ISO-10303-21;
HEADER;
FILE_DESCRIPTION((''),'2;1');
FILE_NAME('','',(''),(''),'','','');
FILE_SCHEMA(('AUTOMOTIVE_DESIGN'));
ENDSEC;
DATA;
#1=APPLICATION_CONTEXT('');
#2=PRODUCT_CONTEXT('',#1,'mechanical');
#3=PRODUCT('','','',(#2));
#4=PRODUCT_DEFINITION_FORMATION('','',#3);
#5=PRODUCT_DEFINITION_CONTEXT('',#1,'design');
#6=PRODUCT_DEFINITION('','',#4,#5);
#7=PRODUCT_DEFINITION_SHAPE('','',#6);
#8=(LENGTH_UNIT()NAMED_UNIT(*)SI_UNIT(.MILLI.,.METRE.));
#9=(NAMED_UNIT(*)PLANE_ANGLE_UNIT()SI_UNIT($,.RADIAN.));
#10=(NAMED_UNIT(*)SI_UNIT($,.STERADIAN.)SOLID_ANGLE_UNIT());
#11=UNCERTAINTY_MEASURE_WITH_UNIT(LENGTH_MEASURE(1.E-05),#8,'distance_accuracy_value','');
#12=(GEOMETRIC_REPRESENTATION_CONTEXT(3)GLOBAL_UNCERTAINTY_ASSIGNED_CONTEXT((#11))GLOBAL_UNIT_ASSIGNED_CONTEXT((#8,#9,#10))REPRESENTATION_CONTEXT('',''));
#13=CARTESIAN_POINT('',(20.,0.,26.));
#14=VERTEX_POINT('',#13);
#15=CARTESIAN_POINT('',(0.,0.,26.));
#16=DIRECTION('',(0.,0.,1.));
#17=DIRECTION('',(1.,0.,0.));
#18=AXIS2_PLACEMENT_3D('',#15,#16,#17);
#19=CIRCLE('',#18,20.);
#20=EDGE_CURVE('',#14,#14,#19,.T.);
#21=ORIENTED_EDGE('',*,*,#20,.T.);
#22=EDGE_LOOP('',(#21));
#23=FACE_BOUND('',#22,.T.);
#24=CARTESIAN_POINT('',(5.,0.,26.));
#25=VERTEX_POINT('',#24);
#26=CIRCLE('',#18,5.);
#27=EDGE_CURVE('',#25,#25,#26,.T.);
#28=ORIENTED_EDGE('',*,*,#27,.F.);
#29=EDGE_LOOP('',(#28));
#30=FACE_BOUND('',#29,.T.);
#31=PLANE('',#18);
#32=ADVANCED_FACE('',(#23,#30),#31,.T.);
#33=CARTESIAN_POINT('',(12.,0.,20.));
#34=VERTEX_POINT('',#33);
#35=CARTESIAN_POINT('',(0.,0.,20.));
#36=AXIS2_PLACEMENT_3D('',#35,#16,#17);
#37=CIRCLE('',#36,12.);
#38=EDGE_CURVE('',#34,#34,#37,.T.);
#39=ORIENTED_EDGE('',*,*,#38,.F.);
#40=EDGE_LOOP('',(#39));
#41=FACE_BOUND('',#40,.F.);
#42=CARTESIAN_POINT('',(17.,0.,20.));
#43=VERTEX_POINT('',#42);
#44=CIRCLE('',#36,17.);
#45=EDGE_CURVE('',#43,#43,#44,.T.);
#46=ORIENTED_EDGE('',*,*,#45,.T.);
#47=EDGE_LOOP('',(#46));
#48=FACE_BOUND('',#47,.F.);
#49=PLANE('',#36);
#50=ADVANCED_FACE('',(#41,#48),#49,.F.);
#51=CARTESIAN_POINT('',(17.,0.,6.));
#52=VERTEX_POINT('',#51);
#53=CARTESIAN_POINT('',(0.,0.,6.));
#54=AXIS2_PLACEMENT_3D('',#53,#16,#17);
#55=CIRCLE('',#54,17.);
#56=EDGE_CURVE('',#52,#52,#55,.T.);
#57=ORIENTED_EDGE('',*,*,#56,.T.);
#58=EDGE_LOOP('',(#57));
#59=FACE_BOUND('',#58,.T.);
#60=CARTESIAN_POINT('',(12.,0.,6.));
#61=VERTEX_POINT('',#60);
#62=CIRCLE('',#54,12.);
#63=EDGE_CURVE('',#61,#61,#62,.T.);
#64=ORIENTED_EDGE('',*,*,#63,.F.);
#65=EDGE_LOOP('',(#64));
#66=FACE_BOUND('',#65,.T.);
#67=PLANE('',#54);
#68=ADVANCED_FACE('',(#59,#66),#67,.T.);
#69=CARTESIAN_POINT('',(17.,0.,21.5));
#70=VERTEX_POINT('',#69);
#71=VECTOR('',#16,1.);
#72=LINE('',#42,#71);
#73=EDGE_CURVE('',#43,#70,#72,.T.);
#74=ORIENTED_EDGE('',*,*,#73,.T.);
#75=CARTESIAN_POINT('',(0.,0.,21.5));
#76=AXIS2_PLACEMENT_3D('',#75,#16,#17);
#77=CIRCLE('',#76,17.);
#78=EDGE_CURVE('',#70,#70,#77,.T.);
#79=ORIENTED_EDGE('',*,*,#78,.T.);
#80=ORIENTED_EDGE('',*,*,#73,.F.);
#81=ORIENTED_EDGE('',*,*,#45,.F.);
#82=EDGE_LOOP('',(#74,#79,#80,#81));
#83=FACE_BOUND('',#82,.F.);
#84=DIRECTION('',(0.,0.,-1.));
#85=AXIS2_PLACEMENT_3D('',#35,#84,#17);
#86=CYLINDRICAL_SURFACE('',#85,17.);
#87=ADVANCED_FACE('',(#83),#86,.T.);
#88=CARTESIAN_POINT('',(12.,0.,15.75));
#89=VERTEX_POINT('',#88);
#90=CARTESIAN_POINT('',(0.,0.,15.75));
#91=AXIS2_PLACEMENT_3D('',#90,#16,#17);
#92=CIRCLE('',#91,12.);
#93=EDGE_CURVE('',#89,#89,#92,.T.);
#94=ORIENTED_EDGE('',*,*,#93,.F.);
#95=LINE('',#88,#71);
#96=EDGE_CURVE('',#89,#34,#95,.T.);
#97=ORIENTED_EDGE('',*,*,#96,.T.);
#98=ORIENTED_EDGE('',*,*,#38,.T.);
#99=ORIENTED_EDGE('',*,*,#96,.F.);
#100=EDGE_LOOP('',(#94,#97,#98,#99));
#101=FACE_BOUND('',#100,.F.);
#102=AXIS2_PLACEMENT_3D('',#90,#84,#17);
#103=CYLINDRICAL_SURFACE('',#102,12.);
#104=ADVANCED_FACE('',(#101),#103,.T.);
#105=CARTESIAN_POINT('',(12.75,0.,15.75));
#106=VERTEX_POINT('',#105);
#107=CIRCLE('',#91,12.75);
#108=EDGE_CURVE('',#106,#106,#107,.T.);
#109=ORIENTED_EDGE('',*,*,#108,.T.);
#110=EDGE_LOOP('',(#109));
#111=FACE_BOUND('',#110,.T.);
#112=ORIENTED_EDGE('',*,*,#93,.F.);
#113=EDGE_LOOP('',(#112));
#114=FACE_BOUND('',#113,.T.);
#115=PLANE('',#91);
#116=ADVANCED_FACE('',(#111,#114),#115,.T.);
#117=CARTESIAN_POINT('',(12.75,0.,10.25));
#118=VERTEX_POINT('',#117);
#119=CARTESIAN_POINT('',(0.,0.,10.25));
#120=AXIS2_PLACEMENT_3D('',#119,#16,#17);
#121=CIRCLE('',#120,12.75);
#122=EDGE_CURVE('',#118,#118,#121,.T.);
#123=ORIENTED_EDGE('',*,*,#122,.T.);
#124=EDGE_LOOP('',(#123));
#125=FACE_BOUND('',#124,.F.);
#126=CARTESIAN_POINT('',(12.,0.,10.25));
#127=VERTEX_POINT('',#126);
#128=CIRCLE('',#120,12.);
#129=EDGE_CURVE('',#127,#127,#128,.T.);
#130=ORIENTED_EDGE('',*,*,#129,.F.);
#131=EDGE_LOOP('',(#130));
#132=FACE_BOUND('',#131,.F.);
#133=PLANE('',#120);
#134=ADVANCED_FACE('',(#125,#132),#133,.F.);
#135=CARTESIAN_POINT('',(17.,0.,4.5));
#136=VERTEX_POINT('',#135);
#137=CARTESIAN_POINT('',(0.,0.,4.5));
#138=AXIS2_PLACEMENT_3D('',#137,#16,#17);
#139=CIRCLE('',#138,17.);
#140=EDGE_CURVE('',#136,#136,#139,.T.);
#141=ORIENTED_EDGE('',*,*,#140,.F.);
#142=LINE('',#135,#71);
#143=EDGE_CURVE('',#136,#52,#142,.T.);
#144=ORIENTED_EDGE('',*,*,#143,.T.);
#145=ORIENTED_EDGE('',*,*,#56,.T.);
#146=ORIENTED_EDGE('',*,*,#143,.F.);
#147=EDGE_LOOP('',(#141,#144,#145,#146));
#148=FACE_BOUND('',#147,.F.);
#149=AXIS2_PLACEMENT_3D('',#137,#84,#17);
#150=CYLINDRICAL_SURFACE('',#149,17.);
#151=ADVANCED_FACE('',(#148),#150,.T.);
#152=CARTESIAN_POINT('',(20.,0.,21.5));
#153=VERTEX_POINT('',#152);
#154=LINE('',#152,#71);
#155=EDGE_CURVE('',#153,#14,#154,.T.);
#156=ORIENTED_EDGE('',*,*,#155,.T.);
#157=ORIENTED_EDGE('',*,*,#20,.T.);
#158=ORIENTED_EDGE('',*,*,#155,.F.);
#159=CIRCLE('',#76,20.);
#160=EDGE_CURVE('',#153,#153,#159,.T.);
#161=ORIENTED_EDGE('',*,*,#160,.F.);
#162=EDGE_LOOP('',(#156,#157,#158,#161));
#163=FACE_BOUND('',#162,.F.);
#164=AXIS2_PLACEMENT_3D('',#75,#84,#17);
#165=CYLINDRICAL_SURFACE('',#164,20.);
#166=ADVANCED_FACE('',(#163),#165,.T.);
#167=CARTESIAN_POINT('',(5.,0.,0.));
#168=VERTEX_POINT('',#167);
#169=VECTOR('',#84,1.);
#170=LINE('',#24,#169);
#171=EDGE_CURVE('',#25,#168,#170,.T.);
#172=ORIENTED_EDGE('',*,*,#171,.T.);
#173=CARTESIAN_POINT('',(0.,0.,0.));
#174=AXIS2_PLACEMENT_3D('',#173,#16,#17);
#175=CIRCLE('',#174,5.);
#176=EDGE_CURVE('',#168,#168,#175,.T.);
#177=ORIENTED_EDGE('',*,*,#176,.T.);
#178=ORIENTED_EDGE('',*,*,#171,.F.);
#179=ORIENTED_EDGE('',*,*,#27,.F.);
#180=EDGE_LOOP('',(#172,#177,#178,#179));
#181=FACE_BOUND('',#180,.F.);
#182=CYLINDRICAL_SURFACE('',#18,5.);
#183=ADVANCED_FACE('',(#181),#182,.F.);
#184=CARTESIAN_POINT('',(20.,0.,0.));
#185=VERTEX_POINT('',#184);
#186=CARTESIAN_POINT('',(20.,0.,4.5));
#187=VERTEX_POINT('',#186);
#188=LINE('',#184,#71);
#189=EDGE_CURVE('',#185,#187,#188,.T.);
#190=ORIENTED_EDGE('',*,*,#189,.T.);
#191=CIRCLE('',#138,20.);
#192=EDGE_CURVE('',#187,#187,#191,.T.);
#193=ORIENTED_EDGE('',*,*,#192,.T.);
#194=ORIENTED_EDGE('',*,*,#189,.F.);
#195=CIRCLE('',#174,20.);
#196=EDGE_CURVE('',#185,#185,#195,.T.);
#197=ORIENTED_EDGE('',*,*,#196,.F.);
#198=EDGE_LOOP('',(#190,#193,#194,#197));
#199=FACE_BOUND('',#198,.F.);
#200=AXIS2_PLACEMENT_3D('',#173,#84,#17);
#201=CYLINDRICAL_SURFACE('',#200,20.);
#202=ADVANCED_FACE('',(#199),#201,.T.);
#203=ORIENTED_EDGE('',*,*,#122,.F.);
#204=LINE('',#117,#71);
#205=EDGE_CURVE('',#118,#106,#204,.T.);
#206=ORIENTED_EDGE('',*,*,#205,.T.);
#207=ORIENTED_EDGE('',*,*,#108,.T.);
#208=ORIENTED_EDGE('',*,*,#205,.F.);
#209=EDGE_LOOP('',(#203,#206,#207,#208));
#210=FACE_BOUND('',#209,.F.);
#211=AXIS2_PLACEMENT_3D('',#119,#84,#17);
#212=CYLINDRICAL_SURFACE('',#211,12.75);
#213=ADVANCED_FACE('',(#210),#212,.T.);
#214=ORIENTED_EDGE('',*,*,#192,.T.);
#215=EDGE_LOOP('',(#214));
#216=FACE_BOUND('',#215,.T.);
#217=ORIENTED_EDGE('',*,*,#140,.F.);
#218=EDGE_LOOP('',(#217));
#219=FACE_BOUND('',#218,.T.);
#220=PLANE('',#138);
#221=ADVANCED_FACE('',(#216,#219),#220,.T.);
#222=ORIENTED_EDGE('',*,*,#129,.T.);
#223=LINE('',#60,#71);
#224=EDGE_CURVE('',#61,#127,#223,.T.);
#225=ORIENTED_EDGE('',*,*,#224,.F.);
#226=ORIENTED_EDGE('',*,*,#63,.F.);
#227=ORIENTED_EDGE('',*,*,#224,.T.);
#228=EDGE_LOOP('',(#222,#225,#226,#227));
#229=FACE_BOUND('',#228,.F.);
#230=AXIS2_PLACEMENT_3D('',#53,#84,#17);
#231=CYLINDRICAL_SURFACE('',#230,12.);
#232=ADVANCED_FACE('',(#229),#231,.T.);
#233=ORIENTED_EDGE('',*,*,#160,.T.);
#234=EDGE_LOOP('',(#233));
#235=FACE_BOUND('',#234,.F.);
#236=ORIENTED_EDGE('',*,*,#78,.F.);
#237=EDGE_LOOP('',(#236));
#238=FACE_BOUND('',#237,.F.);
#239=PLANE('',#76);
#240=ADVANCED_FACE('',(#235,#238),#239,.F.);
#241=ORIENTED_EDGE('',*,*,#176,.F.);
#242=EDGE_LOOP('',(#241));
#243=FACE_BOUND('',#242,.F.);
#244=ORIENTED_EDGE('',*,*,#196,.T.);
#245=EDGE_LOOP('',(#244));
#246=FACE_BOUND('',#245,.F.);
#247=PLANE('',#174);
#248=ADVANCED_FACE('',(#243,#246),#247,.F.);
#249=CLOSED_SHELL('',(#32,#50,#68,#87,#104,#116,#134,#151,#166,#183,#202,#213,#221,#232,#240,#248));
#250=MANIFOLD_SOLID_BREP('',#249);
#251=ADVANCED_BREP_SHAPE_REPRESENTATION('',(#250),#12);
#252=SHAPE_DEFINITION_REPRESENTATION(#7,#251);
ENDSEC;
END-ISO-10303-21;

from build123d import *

# Parameters (mm, degrees)
F0_R      = 20
F1_DEPTH  = 4.5
F2_R      = 17
F3_DEPTH  = 1.5
F4_R      = 12
F5_DEPTH  = 4.25
F6_R      = 12.75
F7_DEPTH  = 5.5
F8_R      = 12
F9_DEPTH  = 4.25
F10_R     = 17
F11_DEPTH = 1.5
F12_R     = 20
F13_DEPTH = 4.5
F14_R     = 5
F15_DEPTH = 30


with BuildPart() as f1:
    # F0 (on Top) → F1 (new body)
    with BuildSketch(Plane.XY):
        Circle(F0_R)
    extrude(amount=F1_DEPTH)

    # F2 (on face) → F3 (join)
    with BuildSketch(Plane.XY.offset(4.5)):
        Circle(F2_R)
    extrude(amount=F3_DEPTH)

    # F4 (on face) → F5 (join)
    with BuildSketch(Plane.XY.offset(6)):
        Circle(F4_R)
    extrude(amount=F5_DEPTH)

    # F6 (on face) → F7 (join)
    with BuildSketch(Plane.XY.offset(10.25)):
        Circle(F6_R)
    extrude(amount=F7_DEPTH)

    # F8 (on face) → F9 (join)
    with BuildSketch(Plane.XY.offset(15.75)):
        Circle(F8_R)
    extrude(amount=F9_DEPTH)

    # F10 (on face) → F11 (join)
    with BuildSketch(Plane.XY.offset(20)):
        Circle(F10_R)
    extrude(amount=F11_DEPTH)

    # F12 (on face) → F13 (join)
    with BuildSketch(Plane.XY.offset(21.5)):
        Circle(F12_R)
    extrude(amount=F13_DEPTH)

    # F14 (on face) → F15 (cut)
    with BuildSketch(Plane.XY.offset(26)):
        Circle(F14_R)
    extrude(amount=-F15_DEPTH, mode=Mode.SUBTRACT)


solid = f1.part
